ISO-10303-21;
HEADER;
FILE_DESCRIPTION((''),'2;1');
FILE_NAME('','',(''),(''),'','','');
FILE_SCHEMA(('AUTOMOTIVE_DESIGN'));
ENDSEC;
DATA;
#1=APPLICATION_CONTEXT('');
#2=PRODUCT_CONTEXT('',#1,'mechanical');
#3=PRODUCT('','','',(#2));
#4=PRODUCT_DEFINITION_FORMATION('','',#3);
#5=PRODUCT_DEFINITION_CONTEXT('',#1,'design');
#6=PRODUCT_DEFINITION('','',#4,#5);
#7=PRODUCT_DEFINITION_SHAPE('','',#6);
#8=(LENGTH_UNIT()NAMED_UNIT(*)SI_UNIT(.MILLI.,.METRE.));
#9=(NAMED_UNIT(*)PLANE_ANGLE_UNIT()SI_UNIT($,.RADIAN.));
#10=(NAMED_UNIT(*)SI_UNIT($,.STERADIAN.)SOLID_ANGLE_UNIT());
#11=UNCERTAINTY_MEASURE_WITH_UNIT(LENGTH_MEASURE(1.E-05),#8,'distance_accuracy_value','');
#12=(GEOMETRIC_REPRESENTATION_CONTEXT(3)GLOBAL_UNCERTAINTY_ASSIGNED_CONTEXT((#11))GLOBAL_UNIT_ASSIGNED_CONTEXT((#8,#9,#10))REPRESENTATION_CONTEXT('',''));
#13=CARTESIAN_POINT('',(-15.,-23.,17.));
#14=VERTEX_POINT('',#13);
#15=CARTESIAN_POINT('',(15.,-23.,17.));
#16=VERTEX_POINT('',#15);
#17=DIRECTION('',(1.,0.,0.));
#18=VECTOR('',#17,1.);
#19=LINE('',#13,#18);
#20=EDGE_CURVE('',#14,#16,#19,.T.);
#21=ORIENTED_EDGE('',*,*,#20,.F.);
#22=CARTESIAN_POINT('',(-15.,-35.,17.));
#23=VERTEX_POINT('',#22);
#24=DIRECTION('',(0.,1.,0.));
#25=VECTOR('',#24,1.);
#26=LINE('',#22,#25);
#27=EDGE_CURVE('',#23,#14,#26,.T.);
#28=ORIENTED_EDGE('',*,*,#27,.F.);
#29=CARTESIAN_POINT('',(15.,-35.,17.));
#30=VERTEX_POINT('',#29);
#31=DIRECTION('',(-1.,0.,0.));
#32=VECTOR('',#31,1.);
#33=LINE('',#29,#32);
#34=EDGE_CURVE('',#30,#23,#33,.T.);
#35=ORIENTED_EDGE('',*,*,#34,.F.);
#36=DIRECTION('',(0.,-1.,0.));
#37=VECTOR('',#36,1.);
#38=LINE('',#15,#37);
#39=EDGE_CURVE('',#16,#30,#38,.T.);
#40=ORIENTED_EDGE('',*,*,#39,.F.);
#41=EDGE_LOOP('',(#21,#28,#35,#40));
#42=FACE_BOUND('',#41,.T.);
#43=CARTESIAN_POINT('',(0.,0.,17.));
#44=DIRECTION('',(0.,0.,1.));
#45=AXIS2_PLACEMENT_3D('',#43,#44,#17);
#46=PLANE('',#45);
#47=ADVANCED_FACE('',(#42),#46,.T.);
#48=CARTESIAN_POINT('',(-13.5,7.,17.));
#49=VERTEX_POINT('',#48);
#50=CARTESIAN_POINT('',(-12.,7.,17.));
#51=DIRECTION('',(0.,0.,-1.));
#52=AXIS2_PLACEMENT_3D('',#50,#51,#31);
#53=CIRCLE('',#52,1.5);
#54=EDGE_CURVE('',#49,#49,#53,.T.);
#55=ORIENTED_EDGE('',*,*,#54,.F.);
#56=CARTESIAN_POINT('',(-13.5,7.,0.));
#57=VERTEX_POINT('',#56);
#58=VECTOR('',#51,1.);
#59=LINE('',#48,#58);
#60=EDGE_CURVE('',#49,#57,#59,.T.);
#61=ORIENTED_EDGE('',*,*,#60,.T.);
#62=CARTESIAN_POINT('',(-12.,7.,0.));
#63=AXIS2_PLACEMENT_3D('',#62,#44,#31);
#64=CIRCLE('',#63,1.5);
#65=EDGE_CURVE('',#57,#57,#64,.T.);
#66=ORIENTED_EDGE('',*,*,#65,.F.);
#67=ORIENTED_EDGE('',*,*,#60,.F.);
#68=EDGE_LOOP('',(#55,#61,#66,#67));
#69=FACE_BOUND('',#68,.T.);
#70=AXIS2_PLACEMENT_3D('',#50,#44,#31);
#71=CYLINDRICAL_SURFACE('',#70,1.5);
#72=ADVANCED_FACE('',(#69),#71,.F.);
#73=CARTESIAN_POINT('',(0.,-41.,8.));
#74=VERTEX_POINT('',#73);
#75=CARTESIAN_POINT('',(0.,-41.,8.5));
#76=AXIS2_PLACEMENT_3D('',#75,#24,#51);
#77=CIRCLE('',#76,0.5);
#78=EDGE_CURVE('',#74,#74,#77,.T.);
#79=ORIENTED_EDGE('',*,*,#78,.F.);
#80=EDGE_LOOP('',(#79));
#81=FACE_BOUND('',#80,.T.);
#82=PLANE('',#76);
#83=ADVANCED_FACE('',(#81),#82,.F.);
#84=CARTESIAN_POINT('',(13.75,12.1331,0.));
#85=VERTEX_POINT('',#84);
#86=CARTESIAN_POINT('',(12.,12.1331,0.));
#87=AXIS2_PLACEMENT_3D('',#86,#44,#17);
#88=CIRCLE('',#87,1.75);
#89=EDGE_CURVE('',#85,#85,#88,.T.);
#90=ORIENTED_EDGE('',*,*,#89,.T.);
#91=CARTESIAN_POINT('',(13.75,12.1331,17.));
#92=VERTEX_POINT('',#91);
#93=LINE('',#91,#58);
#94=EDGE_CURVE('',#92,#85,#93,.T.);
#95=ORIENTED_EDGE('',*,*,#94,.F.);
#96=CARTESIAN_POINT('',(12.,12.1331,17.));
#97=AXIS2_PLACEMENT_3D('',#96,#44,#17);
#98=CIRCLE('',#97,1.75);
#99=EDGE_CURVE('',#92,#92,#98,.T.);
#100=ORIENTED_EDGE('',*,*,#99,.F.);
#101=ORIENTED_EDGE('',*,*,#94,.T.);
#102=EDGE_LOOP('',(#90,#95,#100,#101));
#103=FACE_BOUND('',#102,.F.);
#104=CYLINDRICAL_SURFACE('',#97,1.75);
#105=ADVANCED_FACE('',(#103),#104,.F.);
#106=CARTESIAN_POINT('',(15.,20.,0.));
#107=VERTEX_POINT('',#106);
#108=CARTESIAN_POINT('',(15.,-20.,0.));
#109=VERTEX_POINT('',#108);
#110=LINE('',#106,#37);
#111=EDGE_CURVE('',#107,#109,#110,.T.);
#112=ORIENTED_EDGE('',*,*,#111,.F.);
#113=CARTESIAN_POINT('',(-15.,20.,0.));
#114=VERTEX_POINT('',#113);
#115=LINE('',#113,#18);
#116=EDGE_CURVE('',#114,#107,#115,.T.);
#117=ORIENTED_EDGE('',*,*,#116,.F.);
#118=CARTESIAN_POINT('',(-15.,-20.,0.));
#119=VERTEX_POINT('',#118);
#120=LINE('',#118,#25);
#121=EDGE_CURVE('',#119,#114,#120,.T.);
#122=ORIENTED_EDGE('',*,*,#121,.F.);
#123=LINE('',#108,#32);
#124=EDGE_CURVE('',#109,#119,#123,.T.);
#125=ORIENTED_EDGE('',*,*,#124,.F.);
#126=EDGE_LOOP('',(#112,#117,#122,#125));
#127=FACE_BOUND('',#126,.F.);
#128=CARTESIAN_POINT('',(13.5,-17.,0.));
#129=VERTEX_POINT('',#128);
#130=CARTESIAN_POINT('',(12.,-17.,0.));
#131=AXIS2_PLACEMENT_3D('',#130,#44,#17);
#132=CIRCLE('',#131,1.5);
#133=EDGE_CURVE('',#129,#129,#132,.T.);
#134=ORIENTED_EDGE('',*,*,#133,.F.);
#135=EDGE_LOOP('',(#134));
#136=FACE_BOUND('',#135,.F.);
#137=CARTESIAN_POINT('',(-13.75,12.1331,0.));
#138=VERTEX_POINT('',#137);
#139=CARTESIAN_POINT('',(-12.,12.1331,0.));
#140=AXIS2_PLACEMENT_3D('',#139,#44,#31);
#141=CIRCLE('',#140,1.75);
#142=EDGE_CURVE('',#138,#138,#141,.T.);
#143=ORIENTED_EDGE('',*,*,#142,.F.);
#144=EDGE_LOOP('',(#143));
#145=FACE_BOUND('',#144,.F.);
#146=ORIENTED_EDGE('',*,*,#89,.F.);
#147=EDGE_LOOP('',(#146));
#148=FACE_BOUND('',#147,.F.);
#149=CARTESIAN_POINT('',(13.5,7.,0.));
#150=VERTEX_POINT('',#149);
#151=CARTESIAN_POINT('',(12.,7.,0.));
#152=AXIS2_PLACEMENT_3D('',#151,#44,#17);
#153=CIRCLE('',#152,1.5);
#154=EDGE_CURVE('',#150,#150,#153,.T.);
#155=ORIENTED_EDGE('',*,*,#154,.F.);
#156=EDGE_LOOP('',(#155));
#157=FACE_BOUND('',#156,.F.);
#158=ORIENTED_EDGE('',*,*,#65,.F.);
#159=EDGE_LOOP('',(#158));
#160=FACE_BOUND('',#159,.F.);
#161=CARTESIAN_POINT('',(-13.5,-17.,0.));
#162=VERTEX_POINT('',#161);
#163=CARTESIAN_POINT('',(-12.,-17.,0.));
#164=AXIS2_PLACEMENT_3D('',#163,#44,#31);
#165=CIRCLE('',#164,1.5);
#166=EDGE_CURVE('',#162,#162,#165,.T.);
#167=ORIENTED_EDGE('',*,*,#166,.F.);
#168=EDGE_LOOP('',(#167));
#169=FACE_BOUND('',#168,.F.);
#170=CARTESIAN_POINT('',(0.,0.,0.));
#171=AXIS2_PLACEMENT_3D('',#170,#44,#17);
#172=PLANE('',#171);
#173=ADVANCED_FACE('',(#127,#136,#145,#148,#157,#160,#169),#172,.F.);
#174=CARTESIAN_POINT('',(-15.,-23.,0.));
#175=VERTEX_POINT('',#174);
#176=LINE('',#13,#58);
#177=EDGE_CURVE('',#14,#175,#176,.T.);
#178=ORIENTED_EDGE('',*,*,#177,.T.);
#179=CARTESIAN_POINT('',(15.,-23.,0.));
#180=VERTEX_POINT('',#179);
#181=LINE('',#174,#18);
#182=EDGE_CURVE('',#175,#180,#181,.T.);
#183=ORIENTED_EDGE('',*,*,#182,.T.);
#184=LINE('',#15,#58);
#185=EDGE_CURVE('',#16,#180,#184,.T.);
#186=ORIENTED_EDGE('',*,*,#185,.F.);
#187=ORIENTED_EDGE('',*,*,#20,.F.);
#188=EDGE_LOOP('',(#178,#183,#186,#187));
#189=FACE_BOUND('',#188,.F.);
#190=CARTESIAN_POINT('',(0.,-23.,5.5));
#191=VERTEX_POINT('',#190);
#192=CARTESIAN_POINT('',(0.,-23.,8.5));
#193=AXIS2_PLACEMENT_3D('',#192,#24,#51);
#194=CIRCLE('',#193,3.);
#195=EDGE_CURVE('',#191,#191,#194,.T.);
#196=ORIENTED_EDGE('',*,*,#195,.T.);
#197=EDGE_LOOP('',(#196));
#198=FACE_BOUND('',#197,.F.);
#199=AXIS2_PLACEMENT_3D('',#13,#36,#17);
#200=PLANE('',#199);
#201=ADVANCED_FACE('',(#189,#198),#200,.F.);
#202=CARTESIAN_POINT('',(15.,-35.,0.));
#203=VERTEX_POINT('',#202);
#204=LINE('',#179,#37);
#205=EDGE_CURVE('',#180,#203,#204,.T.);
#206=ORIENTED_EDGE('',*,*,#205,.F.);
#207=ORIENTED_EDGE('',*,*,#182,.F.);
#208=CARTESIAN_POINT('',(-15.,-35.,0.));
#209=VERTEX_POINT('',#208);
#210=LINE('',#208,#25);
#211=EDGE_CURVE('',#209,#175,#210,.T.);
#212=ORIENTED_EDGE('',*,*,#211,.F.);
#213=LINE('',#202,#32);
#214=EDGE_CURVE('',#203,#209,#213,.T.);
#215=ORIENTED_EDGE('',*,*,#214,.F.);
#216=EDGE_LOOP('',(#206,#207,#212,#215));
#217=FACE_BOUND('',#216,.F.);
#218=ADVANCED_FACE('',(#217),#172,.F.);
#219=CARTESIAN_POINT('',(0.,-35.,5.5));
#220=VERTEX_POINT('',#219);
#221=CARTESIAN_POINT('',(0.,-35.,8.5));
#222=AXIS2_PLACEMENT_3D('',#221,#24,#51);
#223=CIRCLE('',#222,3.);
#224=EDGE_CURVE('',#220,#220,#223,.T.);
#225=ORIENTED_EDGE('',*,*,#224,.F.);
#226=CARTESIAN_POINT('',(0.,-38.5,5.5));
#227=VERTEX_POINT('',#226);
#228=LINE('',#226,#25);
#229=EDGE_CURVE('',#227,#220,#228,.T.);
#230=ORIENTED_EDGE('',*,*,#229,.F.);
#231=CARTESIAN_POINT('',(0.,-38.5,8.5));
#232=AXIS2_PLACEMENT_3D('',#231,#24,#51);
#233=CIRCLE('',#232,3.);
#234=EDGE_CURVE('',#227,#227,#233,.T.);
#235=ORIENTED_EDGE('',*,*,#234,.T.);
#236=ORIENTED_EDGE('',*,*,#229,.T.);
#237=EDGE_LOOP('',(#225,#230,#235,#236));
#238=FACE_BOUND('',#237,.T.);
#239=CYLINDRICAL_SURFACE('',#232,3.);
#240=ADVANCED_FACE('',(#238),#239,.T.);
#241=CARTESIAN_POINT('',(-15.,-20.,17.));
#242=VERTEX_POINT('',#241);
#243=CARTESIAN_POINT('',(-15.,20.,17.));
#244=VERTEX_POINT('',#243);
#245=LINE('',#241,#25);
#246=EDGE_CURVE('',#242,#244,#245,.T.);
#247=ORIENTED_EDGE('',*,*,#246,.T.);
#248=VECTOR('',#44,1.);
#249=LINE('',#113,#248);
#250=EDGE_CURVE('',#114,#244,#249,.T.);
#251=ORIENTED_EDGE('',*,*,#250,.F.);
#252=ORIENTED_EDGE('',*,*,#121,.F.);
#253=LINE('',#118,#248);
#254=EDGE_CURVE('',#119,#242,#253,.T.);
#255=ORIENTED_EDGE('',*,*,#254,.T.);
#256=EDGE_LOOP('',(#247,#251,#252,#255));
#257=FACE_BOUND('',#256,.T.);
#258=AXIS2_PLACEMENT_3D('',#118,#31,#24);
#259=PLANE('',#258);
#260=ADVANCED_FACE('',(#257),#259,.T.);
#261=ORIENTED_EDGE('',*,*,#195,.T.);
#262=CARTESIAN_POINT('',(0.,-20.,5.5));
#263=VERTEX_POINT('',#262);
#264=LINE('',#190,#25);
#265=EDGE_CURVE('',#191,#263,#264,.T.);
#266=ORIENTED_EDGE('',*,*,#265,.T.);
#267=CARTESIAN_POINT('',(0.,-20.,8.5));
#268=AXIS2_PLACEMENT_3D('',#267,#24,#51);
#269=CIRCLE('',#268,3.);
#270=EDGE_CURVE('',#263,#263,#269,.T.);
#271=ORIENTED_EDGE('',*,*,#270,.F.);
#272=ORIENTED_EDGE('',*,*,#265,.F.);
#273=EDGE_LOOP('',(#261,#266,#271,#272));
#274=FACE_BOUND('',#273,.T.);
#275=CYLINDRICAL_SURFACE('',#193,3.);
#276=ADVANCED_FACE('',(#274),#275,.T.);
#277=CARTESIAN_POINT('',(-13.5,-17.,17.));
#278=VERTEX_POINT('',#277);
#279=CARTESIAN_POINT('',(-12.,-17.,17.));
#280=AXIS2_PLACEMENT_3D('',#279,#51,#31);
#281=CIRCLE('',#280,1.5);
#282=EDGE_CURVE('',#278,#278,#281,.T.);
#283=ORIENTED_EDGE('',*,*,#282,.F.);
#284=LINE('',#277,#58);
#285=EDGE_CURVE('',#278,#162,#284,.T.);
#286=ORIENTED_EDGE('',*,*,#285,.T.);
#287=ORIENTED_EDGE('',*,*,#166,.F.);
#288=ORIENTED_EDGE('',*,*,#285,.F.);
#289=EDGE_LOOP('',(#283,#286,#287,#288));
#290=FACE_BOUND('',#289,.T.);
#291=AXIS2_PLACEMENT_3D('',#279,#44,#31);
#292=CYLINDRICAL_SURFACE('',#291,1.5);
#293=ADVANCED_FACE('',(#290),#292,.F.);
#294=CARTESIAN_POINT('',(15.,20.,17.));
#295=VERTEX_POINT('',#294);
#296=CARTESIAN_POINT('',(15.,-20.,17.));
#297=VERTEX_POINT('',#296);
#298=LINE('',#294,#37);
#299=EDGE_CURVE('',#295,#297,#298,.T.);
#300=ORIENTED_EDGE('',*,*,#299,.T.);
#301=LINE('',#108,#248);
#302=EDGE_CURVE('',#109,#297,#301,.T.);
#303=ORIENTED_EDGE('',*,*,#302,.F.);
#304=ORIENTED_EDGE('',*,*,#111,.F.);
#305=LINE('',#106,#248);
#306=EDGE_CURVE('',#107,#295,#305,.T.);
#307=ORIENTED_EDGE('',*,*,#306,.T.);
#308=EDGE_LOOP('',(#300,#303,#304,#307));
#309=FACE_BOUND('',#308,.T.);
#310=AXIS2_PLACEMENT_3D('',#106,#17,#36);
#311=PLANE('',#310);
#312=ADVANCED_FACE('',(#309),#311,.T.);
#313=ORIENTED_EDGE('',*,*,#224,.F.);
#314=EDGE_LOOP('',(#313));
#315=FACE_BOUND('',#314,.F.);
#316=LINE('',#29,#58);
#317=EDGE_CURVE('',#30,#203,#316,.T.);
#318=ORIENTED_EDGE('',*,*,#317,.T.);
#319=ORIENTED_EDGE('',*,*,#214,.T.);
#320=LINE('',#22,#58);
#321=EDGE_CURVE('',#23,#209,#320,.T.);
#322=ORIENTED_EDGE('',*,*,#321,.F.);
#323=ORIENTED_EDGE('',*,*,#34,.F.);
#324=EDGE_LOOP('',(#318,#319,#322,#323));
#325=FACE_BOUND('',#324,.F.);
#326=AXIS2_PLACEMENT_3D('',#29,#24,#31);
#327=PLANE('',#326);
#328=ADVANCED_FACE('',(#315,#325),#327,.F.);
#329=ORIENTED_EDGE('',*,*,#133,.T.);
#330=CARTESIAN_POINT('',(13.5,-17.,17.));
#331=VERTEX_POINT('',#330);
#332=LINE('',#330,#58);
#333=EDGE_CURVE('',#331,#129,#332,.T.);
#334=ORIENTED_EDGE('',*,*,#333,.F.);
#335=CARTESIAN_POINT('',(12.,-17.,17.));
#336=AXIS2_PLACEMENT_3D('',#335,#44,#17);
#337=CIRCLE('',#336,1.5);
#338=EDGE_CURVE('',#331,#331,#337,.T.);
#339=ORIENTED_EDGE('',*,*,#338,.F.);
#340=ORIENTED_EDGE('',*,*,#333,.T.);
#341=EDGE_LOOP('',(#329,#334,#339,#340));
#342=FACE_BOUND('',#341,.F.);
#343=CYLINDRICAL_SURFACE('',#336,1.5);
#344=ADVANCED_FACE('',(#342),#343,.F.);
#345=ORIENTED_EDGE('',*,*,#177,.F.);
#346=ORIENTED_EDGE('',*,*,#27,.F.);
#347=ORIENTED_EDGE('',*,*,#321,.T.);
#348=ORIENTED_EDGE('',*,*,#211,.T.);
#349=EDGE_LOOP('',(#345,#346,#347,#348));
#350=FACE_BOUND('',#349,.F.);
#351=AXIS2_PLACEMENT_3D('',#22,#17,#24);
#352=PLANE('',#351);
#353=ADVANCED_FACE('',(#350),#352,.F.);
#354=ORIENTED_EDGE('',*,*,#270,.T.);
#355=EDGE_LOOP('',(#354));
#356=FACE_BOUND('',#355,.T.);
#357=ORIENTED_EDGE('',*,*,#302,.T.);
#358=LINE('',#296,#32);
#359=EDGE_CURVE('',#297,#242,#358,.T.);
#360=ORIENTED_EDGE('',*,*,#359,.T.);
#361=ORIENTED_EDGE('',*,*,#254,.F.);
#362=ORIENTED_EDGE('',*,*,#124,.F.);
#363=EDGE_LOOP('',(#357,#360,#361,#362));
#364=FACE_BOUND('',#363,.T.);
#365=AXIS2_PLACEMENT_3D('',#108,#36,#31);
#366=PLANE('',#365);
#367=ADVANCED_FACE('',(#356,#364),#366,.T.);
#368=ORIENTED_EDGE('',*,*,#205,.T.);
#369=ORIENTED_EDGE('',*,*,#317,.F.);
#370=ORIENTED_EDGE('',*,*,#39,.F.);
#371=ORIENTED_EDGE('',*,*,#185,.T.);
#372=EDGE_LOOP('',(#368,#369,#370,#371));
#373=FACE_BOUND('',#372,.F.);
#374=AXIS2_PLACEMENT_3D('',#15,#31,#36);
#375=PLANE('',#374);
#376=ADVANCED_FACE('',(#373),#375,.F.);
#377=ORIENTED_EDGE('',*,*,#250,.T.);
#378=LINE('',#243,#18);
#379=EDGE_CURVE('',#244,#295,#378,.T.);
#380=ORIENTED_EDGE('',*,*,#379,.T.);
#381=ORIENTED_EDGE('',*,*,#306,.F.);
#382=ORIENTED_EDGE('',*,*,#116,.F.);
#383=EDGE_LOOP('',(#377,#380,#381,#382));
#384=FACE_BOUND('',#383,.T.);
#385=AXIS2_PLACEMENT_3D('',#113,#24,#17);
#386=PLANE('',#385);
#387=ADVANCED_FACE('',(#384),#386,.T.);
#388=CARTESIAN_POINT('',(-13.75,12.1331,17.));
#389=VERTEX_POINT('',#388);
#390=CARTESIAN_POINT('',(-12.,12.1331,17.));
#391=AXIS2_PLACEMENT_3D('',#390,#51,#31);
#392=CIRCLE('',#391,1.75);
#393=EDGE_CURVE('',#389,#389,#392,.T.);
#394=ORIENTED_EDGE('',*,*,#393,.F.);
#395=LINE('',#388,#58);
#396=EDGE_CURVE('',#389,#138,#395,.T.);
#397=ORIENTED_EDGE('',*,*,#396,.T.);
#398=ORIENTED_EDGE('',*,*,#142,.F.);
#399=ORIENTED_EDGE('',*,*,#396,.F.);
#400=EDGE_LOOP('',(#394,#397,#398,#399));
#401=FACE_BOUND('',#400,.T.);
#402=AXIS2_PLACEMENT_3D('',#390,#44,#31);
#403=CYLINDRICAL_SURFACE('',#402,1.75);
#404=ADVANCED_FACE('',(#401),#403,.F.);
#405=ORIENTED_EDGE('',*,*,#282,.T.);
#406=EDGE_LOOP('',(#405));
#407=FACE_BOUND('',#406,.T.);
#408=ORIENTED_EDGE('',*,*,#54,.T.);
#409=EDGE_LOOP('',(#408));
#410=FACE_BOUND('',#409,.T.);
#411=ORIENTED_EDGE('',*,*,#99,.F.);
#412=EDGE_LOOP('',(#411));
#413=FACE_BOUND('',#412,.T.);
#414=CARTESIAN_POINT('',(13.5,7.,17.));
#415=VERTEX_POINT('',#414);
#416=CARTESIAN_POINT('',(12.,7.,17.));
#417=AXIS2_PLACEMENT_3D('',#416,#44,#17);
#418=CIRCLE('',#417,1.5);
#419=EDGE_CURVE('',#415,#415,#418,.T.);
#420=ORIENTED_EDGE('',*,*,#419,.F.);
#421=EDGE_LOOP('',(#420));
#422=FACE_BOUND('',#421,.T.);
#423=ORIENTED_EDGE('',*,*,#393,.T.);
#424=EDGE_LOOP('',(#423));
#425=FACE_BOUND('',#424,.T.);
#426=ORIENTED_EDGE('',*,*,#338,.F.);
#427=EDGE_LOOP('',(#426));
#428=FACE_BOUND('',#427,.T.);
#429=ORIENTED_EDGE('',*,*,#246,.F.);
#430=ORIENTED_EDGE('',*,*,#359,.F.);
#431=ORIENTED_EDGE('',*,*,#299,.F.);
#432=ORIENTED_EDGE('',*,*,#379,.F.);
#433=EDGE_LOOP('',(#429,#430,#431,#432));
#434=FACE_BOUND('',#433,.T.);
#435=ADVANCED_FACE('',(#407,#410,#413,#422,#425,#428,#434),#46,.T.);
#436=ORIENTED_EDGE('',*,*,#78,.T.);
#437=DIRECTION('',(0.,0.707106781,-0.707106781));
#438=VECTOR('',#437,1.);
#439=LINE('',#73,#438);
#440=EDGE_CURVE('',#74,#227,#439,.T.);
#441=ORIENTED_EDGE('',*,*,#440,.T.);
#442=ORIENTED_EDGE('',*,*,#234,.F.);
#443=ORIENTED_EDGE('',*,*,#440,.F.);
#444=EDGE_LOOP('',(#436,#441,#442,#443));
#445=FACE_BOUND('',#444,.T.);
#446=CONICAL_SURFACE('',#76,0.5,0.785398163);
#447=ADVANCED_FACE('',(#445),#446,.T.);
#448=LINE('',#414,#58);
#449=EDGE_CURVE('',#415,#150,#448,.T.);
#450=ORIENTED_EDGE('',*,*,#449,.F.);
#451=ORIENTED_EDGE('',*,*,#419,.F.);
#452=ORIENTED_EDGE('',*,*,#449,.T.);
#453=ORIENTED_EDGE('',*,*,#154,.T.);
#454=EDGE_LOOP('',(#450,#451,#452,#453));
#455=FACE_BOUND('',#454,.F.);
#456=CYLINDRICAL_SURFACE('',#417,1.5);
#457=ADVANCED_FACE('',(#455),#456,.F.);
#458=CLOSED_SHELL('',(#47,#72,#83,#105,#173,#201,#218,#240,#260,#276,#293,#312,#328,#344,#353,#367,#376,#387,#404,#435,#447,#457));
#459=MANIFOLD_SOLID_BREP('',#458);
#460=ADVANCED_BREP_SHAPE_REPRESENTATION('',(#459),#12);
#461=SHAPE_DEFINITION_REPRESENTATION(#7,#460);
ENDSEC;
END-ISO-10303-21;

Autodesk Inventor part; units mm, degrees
ref_plane "YZ Plane" through (0, 0, 0) normal (1, 0, 0) x (0, 1, 0)
ref_plane "XZ Plane" through (0, 0, 0) normal (0, 1, 0) x (-1, 0, 0)
ref_plane "XY Plane" through (0, 0, 0) normal (0, 0, 1) x (1, 0, 0)
sketch "Boceto1" plane through (0, 0, 0) normal (0, 0, 1) x (1, 0, 0)
  line L0 (-15, 20) -> (15, 20)
  line L1 (15, 20) -> (15, -20)
  line L2 (15, -20) -> (-15, -20)
  line L3 (-15, -20) -> (-15, 20)
  line L4 (5.2741, 0) -> (0, 0)
  line L5 (0, 0) -> (0, 2.4047)
  dimension "d0" = 30
  dimension "d1" = 40
extrude "Extrusión1" add sketch "Boceto1" along normal blind 17
sketch "Boceto2" plane through (0, 0, 17) normal (0, 0, 1) x (1, 0, 0)
  circle A0 centre (12, -17) radius 1.5
  line L0 (15, -20) -> (15, 20) projected
  line L1 (-15, -20) -> (15, -20) projected
  circle A1 centre (12, 7) radius 1.5
  circle A2 centre (12, 12.1331) radius 1.75
  point P0 (0, 0)
  dimension "d4" = 3
  dimension "d5" = 3
  dimension "d6" = 3
  dimension "d7" = 3
  dimension "d8" = 3
  dimension "d9" = 24
  dimension "d10" = 3.5
  dimension "d11" = 3
extrude "Extrusión2" cut sketch "Boceto2" against normal through all
mirror "Simetría1" about plane through (0, 0, 0) normal (1, 0, 0) of "Extrusión2"
sketch "Boceto3" plane through (0, 0, 17) normal (0, 0, 1) x (1, 0, 0)
  line L0 (-15, -23) -> (15, -23)
  line L1 (15, -23) -> (15, -35)
  line L2 (15, -35) -> (-15, -35)
  line L3 (-15, -35) -> (-15, -23)
  line L4 (-15, -20) -> (15, -20) projected
  point P0 (0, 0)
  dimension "d14" = 12
  dimension "d22" = 3
extrude "Extrusión3" add sketch "Boceto3" against normal up to surface (17 mm away)
sketch "Boceto4" plane through (0, 0, 0) normal (1, 0, 0) x (0, 1, 0)
  line L0 (-38.5, 5.5) -> (-35, 5.5)
  line L1 (-35, 17) -> (-35, 0) projected
  line L2 (-23, 0) -> (-35, 0) projected
  line L3 (-23, 17) -> (-23, 0) projected
  line L4 (-23, 5.5) -> (-20, 5.5)
  line L5 (-20, 0) -> (-20, 17) projected
  line L6 (-41, 8.5) -> (-20, 8.5)
  line L7 (-41, 8.5) -> (-41, 8)
  line L8 (-41, 8) -> (-38.5, 5.5)
  point P0 (0, 0)
  point P1 (-35, 8.5)
  point P2 (-23, 8.5)
  dimension "d18" = 6
  dimension "d19" = 3
  dimension "d20" = 8.5
  dimension "d23" = 0.5
  dimension "d24" = 135
revolve "Revolución1" add sketch "Boceto4" angle 360 about axis through (0, -41, 8.5) along (0, 1, 0) contours L8 L7 L6 L1 L0 | L6 L5 L4 L3
equation "\"d7\" = d4"
equation "\"d8\" = d5"
equation "\"d11\" = d8"
properties part number "NF TC-02" material "Cobre, aleado"
